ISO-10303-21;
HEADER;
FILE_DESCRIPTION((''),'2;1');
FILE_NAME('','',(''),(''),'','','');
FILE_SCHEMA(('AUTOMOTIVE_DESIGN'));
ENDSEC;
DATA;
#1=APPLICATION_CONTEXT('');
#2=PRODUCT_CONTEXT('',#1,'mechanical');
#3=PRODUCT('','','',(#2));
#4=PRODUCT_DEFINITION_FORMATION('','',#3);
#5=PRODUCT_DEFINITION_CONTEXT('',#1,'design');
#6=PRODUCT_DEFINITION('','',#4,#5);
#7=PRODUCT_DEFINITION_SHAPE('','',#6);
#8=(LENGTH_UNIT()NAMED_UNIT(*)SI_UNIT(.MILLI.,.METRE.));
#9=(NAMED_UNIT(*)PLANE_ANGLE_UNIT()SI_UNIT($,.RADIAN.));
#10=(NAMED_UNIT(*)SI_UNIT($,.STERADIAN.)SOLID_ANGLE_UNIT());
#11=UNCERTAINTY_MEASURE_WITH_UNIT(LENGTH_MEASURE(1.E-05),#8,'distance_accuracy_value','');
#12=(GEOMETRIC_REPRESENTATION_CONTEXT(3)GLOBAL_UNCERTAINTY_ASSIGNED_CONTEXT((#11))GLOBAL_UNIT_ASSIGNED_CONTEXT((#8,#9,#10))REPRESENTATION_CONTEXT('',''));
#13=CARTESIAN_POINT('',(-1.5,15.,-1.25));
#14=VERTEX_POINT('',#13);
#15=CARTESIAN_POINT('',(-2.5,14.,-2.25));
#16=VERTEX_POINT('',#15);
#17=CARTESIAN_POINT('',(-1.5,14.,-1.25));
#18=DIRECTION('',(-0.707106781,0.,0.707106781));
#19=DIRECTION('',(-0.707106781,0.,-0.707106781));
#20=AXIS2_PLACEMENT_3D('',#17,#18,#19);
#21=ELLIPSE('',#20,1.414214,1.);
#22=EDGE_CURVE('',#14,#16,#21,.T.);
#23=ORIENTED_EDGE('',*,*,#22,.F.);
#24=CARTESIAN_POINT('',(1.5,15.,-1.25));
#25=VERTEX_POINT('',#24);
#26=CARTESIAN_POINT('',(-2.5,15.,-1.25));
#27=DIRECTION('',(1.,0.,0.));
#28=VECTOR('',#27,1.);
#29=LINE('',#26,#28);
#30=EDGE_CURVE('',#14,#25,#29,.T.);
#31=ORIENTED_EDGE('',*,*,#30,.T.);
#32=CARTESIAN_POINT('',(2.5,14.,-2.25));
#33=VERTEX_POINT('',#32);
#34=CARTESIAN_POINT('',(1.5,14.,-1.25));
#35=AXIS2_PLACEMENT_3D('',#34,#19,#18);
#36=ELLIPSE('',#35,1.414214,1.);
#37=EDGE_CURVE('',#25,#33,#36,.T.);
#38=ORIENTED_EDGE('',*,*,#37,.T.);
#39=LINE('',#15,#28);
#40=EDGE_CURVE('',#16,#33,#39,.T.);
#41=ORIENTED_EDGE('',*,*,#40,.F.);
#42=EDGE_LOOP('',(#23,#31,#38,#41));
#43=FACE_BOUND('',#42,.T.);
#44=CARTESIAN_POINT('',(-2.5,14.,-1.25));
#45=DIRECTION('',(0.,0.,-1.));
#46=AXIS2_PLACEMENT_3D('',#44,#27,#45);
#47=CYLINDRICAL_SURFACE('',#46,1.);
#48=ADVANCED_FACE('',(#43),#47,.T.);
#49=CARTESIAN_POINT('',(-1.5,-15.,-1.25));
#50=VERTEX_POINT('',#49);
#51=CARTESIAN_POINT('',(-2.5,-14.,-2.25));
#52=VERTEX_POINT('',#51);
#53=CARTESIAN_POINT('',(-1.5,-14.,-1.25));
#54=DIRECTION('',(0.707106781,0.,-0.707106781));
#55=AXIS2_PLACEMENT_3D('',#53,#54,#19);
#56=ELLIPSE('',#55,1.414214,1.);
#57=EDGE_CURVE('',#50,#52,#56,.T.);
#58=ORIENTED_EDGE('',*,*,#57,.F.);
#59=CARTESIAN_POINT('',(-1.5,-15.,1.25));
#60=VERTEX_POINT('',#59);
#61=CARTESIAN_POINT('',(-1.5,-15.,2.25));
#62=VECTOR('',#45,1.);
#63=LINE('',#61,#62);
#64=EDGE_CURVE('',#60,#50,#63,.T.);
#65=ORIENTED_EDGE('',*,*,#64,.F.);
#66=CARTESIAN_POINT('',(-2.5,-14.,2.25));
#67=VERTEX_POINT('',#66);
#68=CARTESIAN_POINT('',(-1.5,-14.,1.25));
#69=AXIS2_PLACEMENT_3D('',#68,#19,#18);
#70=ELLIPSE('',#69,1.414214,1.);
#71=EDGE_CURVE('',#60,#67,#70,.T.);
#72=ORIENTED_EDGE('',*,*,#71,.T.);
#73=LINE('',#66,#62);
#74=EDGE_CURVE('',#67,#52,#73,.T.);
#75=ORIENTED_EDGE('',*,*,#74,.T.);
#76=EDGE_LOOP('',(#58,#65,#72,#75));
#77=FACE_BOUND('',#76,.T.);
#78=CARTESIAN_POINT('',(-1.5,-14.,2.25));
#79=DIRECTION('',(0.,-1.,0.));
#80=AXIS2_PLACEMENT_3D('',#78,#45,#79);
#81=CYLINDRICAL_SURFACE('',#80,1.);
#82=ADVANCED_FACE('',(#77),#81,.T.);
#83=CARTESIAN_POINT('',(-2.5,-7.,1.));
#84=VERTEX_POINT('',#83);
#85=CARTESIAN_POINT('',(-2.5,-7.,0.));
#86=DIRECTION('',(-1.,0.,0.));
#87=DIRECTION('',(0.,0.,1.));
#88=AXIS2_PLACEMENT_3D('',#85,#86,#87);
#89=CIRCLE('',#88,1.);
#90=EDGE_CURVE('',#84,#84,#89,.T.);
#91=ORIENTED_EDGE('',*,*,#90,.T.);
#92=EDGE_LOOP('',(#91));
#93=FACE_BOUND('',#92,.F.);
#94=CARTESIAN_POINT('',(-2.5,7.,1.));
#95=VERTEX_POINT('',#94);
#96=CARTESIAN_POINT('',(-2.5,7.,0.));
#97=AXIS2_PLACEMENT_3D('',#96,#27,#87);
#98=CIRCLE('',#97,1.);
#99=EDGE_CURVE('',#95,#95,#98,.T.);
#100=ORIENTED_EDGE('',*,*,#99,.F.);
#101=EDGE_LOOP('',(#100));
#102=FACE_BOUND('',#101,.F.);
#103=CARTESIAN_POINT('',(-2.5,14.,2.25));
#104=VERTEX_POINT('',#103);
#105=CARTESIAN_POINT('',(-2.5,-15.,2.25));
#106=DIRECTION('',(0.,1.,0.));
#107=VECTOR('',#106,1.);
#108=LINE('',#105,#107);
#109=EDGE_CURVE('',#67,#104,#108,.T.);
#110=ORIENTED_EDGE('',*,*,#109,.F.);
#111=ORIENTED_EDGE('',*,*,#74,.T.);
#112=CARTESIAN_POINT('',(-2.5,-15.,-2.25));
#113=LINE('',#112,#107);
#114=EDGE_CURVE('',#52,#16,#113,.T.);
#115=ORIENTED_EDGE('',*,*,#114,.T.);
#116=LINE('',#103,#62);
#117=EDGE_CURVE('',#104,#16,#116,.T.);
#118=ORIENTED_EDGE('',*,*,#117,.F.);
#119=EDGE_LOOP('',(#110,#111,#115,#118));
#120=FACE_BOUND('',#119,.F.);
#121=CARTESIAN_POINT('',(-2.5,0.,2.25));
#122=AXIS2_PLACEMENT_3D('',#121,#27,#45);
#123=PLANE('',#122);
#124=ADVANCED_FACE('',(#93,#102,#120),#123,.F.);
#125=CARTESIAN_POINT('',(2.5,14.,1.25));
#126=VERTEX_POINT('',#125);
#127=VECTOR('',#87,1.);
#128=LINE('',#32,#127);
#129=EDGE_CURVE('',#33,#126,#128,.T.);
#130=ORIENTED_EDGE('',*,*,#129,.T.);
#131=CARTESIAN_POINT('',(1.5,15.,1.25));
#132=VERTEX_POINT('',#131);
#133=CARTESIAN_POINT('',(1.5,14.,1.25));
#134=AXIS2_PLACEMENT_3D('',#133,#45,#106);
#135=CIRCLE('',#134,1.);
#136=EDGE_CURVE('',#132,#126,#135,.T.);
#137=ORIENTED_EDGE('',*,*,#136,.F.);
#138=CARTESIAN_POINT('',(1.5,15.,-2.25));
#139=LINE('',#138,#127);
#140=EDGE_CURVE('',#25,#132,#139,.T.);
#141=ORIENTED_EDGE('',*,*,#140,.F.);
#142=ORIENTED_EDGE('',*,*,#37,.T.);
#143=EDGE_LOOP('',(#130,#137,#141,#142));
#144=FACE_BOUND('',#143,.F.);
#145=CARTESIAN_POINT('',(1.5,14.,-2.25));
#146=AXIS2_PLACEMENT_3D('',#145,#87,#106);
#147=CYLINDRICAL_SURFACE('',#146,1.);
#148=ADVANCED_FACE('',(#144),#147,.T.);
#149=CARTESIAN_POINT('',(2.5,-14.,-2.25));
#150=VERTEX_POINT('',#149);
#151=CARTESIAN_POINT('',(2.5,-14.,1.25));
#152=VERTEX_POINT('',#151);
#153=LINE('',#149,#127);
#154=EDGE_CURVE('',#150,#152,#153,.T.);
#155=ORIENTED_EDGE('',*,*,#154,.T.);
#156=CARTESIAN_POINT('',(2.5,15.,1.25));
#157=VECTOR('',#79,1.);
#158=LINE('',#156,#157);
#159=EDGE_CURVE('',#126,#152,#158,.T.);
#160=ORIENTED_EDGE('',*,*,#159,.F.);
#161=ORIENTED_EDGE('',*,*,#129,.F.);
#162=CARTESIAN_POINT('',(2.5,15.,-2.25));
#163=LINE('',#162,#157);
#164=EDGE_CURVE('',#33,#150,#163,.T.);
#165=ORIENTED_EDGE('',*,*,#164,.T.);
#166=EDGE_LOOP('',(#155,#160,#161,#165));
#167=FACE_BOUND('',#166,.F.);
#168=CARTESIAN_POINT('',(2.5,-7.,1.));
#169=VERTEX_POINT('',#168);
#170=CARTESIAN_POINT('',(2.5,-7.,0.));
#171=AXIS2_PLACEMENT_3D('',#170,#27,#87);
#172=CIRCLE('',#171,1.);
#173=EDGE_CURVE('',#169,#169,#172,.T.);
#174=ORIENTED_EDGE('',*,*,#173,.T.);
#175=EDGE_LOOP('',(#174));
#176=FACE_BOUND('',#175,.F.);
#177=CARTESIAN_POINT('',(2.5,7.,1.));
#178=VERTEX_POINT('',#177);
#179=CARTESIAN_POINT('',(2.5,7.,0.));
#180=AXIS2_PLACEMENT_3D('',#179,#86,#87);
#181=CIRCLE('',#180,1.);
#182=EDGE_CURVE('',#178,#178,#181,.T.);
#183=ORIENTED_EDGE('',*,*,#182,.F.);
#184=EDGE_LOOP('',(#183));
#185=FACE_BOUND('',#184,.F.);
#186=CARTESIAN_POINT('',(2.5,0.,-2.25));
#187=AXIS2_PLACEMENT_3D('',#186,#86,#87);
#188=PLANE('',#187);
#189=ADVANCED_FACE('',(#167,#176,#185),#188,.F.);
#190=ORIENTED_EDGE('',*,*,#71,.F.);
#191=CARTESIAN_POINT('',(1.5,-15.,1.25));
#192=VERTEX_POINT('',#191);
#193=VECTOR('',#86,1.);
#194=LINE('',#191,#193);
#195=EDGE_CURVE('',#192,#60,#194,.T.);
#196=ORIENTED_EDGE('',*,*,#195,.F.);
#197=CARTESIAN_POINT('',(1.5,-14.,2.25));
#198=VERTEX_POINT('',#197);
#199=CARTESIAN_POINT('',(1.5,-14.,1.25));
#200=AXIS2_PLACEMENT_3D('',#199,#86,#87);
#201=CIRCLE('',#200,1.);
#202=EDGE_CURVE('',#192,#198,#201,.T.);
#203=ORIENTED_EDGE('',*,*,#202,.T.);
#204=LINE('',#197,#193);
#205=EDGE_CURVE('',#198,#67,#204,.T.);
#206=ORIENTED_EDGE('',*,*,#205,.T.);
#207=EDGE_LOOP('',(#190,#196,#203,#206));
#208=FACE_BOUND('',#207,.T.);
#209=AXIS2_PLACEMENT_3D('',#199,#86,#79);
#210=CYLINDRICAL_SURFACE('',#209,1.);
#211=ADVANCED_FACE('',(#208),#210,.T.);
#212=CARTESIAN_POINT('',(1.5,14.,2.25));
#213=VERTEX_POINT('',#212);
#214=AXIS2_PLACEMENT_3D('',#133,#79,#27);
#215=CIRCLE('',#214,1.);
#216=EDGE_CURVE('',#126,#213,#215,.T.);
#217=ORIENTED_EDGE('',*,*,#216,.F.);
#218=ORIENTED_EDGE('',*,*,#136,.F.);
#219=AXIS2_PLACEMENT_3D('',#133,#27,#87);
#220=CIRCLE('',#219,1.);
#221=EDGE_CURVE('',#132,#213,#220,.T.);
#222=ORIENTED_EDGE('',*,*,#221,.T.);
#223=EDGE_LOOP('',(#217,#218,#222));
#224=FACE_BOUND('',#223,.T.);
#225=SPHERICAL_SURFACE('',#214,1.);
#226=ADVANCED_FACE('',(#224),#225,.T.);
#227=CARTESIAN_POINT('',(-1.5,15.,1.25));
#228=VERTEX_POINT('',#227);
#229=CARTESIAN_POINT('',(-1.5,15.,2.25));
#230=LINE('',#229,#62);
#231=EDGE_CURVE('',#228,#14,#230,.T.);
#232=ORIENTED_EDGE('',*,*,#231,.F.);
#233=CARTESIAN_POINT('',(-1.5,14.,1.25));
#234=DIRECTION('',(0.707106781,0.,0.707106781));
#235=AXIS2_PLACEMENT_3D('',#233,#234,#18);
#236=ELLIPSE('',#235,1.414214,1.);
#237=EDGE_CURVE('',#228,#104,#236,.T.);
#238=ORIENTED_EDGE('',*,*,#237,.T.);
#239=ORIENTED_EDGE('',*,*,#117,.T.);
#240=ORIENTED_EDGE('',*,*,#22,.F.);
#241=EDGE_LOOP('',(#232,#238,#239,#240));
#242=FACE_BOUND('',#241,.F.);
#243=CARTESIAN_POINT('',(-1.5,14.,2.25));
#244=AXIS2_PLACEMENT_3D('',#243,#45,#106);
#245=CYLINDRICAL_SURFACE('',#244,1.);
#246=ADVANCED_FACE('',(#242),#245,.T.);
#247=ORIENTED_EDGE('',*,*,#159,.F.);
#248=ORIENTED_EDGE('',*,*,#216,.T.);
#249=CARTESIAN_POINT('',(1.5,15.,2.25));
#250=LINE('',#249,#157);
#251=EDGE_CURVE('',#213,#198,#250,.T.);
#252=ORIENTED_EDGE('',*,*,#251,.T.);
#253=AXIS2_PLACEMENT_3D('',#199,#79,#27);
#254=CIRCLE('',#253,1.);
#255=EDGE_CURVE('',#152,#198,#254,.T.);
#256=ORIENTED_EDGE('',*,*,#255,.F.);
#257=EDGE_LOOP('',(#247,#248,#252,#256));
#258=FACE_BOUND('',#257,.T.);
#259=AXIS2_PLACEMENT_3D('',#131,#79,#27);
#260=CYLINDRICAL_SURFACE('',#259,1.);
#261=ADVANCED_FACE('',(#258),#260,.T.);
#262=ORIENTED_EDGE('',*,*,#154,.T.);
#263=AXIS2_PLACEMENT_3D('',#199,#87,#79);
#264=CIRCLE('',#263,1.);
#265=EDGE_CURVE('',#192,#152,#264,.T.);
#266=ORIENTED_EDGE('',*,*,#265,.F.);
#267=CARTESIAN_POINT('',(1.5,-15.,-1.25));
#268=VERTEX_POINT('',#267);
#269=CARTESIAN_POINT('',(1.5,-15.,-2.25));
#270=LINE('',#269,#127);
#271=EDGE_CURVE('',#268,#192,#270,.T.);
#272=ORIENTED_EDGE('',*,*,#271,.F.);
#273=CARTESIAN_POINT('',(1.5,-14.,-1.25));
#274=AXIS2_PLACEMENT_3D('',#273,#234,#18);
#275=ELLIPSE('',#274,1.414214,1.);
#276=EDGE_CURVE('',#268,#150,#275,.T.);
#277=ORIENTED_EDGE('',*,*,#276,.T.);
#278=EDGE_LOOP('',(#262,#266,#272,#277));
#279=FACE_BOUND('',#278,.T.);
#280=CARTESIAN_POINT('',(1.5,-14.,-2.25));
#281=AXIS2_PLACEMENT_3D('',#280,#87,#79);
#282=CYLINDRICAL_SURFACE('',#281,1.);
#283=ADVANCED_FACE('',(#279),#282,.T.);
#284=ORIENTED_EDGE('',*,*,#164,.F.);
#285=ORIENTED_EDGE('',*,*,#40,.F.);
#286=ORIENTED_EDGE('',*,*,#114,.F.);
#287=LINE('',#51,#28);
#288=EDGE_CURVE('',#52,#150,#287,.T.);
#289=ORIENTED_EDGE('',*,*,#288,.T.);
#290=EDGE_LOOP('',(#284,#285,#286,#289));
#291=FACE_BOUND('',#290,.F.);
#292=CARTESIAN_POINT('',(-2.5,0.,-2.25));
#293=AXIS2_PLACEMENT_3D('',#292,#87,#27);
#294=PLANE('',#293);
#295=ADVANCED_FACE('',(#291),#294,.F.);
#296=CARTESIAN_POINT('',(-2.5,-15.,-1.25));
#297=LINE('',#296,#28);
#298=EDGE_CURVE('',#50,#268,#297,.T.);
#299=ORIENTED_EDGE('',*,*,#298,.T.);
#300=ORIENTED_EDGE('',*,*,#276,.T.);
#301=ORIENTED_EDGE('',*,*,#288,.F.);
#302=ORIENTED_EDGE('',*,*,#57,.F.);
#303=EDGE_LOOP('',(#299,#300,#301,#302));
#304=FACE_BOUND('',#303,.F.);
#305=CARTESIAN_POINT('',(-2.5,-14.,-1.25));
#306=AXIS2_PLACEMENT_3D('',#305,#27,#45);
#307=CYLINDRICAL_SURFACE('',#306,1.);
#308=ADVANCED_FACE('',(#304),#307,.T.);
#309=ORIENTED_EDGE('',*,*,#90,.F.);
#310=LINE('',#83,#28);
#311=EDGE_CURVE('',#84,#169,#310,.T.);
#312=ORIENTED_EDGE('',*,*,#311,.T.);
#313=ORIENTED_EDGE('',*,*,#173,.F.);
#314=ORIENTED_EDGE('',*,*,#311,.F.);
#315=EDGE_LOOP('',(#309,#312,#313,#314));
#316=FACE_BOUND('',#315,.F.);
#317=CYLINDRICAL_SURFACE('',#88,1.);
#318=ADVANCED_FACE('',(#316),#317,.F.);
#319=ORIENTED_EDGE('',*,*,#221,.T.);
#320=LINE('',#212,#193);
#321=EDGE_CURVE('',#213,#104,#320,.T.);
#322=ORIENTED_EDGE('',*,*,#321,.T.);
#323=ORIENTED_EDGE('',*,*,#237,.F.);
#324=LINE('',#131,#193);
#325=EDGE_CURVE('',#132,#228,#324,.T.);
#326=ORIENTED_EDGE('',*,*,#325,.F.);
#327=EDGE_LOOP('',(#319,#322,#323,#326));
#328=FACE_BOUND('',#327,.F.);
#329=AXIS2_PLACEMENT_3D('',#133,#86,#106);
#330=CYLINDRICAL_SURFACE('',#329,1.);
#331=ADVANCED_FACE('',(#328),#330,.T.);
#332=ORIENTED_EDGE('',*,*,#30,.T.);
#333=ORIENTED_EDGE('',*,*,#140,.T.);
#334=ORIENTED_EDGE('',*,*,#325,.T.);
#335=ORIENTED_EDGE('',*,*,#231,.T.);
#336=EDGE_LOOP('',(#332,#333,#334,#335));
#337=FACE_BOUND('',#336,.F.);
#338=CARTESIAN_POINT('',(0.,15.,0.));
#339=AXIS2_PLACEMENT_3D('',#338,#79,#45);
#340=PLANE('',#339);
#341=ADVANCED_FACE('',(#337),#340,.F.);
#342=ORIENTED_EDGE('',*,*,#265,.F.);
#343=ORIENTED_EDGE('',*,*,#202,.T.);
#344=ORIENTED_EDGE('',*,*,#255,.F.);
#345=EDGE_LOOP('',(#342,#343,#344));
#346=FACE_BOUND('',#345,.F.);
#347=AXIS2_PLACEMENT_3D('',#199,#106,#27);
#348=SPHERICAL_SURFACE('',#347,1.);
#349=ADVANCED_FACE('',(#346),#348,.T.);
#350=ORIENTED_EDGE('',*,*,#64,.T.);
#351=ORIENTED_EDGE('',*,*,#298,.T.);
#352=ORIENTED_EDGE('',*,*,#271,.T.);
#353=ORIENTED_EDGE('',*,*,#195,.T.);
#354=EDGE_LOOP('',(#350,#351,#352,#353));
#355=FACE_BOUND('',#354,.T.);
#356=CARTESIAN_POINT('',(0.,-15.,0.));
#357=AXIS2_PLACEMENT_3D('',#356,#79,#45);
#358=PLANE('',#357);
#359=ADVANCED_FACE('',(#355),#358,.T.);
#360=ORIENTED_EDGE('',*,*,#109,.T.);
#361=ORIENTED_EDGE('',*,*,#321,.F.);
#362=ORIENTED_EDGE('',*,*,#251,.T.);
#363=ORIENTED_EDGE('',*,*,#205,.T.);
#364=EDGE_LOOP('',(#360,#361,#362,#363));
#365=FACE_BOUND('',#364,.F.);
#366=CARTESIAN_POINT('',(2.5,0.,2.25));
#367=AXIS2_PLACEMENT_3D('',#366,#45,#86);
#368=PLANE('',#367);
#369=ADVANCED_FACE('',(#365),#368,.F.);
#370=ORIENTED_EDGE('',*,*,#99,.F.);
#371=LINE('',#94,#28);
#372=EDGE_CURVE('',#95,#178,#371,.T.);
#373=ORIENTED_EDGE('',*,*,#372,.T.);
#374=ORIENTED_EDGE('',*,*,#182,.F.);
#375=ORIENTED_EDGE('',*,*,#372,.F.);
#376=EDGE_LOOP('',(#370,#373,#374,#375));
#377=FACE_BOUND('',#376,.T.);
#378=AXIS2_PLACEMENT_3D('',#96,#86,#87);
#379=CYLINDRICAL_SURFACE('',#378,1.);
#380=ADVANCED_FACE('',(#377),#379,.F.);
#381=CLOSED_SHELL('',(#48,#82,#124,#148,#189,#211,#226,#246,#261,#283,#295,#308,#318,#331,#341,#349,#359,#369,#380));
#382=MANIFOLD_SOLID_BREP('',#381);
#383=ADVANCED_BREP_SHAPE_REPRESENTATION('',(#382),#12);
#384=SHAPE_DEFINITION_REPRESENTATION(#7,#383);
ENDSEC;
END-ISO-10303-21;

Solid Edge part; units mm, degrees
sketch "Sketch1" plane through (0, 0, 0) normal (0, -1, 0) x (1, 0, 0)
  line L0 (-2.5, -2.25) -> (2.5, -2.25)
  line L1 (2.5, -2.25) -> (2.5, 2.25)
  line L2 (2.5, 2.25) -> (-2.5, 2.25)
  line L3 (-2.5, 2.25) -> (-2.5, -2.25)
  dimension "D1" = 5
  dimension "D2" = 4.5
extrude "Protrusion1" add sketch "Sketch1" along normal mid plane 30
fillet "Round_1" radius 1 1 edges at (2.5, 0, 2.25)
hole "Hole_1" at (-2.5, 7, 0) direction (1, 0, 0) diameter 2 end up to next
mirror "Mirror1" about plane through (0, 0, 0) normal (0, -1, 0) of "Hole_1"
fillet "Round_2" radius 1 5 edges at (-0.5, 15, 2.25) (2.2071, 15, 1.9571) (2.5, 15, -0.5) (-2.5, 15, 0) (0, 15, -2.25)
mirror "Mirror2" about plane through (0, 0, 0) normal (0, -1, 0) of "Round_2"
